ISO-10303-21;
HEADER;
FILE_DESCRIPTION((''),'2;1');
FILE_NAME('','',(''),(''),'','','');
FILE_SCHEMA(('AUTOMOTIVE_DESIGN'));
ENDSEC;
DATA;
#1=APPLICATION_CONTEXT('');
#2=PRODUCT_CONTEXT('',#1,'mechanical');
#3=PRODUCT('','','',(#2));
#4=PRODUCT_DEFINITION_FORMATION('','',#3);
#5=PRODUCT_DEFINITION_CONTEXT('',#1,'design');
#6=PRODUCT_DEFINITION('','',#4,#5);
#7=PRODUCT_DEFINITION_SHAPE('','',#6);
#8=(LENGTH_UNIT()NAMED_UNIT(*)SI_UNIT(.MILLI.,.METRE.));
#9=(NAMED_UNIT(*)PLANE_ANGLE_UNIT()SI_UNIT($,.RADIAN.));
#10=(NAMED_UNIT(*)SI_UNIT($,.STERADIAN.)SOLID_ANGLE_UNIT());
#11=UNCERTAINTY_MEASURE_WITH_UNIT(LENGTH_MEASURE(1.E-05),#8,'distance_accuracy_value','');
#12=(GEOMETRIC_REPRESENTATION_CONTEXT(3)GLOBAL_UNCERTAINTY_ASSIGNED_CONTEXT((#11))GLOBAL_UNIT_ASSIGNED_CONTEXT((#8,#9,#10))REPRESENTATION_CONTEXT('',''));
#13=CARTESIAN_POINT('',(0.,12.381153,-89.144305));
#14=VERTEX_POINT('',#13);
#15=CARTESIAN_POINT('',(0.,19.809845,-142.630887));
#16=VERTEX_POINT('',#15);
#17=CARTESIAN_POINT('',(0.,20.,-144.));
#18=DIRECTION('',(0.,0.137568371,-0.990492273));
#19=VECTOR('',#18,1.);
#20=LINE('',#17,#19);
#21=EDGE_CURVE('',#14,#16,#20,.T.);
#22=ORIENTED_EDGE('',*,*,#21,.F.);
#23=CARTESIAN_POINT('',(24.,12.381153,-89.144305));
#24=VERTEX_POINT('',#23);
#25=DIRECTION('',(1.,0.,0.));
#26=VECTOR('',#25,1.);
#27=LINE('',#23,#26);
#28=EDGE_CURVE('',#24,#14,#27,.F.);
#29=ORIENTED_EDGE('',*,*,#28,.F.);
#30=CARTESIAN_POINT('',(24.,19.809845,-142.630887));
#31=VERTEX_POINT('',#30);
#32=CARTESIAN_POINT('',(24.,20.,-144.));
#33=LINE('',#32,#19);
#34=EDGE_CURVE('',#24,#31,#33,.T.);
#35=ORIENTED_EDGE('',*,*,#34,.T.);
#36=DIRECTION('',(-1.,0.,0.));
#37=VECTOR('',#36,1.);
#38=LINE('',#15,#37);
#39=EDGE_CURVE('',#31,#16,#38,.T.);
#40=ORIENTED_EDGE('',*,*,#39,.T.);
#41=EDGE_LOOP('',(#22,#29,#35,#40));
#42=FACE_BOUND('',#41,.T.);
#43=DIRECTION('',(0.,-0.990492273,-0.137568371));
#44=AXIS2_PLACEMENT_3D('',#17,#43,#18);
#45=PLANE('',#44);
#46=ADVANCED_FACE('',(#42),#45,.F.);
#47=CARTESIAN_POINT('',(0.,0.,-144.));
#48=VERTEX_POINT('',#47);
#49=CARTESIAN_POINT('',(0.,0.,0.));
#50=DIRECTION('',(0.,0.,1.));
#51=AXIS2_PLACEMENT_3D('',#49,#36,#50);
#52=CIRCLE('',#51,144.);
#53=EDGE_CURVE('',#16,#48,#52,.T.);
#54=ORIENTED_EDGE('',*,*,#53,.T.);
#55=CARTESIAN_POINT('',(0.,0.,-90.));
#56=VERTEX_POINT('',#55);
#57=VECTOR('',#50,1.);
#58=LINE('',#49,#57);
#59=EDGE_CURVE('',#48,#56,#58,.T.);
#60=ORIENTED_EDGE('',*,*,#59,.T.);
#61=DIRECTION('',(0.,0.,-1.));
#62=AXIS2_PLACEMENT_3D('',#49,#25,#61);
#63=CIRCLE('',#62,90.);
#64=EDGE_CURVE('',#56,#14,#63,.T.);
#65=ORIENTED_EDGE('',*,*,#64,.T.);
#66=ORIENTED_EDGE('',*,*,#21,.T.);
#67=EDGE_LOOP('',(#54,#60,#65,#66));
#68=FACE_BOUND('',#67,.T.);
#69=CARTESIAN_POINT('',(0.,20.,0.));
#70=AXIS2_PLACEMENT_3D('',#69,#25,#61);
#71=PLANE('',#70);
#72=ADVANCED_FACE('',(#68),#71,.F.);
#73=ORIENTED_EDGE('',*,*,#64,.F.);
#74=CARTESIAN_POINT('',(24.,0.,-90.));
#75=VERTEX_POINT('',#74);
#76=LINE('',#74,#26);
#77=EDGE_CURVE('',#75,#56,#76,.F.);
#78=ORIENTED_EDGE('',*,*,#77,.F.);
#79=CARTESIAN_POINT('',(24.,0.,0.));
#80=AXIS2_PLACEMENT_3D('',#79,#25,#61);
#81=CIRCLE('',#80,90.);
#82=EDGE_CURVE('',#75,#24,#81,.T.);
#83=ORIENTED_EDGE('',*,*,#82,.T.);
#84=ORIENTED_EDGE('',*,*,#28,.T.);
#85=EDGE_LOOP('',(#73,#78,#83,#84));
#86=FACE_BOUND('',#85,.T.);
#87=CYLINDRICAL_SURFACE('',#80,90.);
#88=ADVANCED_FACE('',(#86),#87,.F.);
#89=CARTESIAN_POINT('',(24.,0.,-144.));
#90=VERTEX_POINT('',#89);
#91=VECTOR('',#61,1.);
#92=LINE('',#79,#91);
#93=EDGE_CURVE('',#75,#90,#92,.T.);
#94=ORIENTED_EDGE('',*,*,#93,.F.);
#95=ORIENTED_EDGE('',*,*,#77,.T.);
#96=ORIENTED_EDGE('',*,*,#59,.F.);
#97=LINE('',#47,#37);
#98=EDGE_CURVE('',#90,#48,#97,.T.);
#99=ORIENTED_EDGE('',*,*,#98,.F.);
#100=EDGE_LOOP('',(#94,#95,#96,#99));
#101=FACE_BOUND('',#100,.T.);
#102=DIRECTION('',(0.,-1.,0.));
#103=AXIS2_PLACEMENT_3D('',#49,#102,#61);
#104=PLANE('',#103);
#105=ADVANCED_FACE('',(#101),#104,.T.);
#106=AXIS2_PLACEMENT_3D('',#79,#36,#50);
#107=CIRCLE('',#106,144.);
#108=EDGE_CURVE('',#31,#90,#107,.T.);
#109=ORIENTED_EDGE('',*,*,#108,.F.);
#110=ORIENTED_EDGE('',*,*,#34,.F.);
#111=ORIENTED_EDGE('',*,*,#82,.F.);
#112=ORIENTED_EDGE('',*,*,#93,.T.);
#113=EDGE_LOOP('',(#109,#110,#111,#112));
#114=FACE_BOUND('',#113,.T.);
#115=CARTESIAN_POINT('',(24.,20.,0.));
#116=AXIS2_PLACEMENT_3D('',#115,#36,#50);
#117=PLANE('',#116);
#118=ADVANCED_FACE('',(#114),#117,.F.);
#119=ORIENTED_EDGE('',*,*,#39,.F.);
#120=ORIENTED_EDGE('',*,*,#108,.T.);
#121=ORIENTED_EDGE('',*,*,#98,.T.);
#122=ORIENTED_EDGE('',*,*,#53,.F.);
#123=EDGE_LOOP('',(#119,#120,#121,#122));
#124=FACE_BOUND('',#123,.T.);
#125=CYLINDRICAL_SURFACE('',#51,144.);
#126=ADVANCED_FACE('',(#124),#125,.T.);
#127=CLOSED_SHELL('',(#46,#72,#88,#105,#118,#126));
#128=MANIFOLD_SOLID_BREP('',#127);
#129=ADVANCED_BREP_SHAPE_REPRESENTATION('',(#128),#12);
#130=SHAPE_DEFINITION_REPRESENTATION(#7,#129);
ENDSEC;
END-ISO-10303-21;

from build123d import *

# Parameters (mm, degrees)
CROQUIS1_W              = 24
CROQUIS1_H              = 144
SALIENTE_EXTRUIR1_DEPTH = 20
CORTAR_EXTRUIR2_DEPTH   = 148.349923651
CROQUIS7_W              = 24
CROQUIS7_H              = 40.261393694
CROQUIS4_W              = 24
CROQUIS4_H              = 90


with BuildPart() as part:
    # Croquis1 → Saliente-Extruir1 (new body)
    with BuildSketch(Plane(origin=(0, 0, 0), x_dir=(1, 0, 0), z_dir=(0, 1, 0))):
        with Locations((12, 72)):
            Rectangle(CROQUIS1_W, CROQUIS1_H)
    extrude(amount=SALIENTE_EXTRUIR1_DEPTH)

    # Croquis3 → Cortar-Extruir2 (cut, through all)
    with BuildSketch(Plane(origin=(24, 0, 0), x_dir=(0, 0, -1), z_dir=(1, 0, 0))):
        Polygon((144, 20), (0, 0), (0, 20), align=None)
    extrude(amount=-CORTAR_EXTRUIR2_DEPTH, mode=Mode.SUBTRACT)

    # Croquis7 → Cortar-Revolución5 (revolve, cut)
    with BuildSketch(Plane.XZ):
        with Locations((12, -164.130696847)):
            Rectangle(CROQUIS7_W, CROQUIS7_H)
    revolve(axis=Axis((0, 0, 0), (1, 0, 0)), mode=Mode.SUBTRACT)

    # Croquis4 → Cortar-Revolución3 (revolve, cut)
    with BuildSketch(Plane.XZ):
        with Locations((12, -45)):
            Rectangle(CROQUIS4_W, CROQUIS4_H)
    revolve(axis=Axis((24, 0, 0), (-1, 0, 0)), mode=Mode.SUBTRACT)


solid = part.part
